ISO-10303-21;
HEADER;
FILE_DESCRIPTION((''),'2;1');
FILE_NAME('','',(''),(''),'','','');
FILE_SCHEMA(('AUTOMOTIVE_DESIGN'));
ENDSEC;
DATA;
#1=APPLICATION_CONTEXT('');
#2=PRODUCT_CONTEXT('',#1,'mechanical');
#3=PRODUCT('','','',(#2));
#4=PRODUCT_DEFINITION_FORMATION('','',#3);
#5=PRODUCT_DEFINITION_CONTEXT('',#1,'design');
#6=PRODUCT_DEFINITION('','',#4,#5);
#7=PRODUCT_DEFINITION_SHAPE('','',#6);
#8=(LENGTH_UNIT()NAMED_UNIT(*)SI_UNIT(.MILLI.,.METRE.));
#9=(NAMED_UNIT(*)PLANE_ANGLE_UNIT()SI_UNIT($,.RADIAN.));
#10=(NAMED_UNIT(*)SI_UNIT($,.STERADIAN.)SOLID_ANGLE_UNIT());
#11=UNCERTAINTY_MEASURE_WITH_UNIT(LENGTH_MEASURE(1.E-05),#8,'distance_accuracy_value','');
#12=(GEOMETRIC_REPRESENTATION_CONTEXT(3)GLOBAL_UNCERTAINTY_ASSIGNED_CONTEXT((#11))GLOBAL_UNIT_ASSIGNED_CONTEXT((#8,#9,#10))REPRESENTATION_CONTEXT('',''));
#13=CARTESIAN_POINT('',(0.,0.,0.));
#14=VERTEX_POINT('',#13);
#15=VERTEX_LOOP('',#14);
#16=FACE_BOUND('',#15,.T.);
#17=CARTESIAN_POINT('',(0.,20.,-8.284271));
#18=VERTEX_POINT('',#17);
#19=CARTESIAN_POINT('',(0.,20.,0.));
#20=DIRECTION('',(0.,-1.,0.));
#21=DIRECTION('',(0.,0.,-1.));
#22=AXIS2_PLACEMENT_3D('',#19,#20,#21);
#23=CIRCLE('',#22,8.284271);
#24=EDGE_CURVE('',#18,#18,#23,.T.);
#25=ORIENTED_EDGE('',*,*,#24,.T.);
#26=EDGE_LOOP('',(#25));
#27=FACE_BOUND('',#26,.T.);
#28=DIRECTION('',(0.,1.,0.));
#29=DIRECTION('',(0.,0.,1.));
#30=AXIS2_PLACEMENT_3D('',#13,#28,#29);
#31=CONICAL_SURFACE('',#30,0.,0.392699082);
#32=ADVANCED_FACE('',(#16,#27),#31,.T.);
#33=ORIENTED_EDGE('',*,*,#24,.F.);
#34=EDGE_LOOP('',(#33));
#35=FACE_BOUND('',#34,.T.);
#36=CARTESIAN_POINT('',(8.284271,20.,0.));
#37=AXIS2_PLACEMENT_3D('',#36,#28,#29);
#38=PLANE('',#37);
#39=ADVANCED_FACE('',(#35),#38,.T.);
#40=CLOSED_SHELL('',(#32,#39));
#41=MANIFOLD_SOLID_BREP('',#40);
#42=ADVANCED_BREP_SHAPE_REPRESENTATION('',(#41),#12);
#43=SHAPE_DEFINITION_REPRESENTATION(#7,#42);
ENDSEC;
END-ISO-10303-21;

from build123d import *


with BuildPart() as part:
    # Sketch1 → Revolve1 (revolve)
    with BuildSketch(Plane.XY, mode=Mode.PRIVATE) as revolve1_sk:
        Polygon((0, 0), (8.284271247, 20), (0, 20), align=None)
    revolve(revolve1_sk.sketch.rotate(Axis((0, 0, 0), (0, 1, 0)), 270), axis=Axis((0, 0, 0), (0, 1, 0)))


solid = part.part
